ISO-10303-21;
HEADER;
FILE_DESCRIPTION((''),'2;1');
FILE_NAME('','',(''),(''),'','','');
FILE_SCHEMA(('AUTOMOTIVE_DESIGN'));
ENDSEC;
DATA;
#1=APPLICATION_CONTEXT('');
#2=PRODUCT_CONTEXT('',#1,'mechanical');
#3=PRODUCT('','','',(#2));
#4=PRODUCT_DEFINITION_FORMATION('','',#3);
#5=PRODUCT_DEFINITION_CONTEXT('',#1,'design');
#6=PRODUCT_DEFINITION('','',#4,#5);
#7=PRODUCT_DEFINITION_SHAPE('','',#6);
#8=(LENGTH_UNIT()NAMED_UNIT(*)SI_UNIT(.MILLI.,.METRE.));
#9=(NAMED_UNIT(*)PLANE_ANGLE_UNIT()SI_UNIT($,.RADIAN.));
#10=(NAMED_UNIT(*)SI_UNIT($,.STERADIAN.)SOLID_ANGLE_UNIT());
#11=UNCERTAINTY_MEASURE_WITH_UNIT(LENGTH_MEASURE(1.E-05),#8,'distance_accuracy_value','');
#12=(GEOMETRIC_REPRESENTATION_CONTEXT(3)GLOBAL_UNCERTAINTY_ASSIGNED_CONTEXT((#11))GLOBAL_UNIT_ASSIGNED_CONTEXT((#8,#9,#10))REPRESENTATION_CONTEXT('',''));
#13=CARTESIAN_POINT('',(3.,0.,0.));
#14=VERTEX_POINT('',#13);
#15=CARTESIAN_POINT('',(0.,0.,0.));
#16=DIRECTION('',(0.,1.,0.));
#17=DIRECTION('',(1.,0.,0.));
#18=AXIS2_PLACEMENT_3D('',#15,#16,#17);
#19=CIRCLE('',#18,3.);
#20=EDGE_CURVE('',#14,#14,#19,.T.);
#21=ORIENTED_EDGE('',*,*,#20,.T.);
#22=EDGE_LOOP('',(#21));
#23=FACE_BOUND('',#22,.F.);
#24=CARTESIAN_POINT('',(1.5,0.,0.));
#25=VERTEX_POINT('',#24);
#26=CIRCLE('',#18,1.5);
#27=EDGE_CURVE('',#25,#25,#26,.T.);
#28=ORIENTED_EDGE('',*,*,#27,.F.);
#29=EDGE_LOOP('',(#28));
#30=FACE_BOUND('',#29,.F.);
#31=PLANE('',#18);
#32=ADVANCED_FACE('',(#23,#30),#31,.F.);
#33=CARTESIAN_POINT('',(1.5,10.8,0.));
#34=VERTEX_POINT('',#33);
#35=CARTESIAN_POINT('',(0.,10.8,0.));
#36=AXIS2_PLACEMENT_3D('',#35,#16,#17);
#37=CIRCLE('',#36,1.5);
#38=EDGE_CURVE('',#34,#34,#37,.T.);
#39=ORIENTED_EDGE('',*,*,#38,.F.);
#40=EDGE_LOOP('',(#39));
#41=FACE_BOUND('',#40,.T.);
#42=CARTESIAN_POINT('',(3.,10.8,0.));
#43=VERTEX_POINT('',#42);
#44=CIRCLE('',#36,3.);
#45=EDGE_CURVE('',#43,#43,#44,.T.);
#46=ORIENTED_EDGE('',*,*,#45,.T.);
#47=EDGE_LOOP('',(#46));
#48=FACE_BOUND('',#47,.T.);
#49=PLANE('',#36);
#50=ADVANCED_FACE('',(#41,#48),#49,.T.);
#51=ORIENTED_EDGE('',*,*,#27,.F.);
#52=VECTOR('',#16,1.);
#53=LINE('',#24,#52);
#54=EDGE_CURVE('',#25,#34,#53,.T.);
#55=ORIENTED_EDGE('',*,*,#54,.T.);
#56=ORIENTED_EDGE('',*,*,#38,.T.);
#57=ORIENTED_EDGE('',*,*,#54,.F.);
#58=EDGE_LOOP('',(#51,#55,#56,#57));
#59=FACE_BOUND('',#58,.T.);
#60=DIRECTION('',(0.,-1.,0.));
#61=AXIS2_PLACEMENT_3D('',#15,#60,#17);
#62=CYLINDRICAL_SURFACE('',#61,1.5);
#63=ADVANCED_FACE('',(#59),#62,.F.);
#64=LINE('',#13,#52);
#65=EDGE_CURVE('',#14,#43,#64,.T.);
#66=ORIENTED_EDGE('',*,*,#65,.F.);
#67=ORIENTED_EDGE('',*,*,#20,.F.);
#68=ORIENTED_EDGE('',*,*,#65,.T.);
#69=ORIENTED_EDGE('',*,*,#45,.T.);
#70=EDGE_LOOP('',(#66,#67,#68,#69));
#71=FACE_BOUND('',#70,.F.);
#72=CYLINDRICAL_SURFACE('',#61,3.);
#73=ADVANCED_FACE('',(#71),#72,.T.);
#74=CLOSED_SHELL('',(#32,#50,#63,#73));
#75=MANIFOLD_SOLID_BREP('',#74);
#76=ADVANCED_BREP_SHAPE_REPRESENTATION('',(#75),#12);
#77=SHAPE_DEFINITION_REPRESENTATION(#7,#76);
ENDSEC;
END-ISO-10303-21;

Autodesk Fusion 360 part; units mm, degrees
sketch "Sketch1" plane through (0, 0, 0) normal (0, 1, 0) x (1, 0, 0)
  circle A0 centre (0, 0) radius 3
  circle A1 centre (0, 0) radius 1.5
  dimension "d1" = 6
  dimension "d2" = 3
extrude "Extrude1" add sketch "Sketch1" along normal blind 10.8
